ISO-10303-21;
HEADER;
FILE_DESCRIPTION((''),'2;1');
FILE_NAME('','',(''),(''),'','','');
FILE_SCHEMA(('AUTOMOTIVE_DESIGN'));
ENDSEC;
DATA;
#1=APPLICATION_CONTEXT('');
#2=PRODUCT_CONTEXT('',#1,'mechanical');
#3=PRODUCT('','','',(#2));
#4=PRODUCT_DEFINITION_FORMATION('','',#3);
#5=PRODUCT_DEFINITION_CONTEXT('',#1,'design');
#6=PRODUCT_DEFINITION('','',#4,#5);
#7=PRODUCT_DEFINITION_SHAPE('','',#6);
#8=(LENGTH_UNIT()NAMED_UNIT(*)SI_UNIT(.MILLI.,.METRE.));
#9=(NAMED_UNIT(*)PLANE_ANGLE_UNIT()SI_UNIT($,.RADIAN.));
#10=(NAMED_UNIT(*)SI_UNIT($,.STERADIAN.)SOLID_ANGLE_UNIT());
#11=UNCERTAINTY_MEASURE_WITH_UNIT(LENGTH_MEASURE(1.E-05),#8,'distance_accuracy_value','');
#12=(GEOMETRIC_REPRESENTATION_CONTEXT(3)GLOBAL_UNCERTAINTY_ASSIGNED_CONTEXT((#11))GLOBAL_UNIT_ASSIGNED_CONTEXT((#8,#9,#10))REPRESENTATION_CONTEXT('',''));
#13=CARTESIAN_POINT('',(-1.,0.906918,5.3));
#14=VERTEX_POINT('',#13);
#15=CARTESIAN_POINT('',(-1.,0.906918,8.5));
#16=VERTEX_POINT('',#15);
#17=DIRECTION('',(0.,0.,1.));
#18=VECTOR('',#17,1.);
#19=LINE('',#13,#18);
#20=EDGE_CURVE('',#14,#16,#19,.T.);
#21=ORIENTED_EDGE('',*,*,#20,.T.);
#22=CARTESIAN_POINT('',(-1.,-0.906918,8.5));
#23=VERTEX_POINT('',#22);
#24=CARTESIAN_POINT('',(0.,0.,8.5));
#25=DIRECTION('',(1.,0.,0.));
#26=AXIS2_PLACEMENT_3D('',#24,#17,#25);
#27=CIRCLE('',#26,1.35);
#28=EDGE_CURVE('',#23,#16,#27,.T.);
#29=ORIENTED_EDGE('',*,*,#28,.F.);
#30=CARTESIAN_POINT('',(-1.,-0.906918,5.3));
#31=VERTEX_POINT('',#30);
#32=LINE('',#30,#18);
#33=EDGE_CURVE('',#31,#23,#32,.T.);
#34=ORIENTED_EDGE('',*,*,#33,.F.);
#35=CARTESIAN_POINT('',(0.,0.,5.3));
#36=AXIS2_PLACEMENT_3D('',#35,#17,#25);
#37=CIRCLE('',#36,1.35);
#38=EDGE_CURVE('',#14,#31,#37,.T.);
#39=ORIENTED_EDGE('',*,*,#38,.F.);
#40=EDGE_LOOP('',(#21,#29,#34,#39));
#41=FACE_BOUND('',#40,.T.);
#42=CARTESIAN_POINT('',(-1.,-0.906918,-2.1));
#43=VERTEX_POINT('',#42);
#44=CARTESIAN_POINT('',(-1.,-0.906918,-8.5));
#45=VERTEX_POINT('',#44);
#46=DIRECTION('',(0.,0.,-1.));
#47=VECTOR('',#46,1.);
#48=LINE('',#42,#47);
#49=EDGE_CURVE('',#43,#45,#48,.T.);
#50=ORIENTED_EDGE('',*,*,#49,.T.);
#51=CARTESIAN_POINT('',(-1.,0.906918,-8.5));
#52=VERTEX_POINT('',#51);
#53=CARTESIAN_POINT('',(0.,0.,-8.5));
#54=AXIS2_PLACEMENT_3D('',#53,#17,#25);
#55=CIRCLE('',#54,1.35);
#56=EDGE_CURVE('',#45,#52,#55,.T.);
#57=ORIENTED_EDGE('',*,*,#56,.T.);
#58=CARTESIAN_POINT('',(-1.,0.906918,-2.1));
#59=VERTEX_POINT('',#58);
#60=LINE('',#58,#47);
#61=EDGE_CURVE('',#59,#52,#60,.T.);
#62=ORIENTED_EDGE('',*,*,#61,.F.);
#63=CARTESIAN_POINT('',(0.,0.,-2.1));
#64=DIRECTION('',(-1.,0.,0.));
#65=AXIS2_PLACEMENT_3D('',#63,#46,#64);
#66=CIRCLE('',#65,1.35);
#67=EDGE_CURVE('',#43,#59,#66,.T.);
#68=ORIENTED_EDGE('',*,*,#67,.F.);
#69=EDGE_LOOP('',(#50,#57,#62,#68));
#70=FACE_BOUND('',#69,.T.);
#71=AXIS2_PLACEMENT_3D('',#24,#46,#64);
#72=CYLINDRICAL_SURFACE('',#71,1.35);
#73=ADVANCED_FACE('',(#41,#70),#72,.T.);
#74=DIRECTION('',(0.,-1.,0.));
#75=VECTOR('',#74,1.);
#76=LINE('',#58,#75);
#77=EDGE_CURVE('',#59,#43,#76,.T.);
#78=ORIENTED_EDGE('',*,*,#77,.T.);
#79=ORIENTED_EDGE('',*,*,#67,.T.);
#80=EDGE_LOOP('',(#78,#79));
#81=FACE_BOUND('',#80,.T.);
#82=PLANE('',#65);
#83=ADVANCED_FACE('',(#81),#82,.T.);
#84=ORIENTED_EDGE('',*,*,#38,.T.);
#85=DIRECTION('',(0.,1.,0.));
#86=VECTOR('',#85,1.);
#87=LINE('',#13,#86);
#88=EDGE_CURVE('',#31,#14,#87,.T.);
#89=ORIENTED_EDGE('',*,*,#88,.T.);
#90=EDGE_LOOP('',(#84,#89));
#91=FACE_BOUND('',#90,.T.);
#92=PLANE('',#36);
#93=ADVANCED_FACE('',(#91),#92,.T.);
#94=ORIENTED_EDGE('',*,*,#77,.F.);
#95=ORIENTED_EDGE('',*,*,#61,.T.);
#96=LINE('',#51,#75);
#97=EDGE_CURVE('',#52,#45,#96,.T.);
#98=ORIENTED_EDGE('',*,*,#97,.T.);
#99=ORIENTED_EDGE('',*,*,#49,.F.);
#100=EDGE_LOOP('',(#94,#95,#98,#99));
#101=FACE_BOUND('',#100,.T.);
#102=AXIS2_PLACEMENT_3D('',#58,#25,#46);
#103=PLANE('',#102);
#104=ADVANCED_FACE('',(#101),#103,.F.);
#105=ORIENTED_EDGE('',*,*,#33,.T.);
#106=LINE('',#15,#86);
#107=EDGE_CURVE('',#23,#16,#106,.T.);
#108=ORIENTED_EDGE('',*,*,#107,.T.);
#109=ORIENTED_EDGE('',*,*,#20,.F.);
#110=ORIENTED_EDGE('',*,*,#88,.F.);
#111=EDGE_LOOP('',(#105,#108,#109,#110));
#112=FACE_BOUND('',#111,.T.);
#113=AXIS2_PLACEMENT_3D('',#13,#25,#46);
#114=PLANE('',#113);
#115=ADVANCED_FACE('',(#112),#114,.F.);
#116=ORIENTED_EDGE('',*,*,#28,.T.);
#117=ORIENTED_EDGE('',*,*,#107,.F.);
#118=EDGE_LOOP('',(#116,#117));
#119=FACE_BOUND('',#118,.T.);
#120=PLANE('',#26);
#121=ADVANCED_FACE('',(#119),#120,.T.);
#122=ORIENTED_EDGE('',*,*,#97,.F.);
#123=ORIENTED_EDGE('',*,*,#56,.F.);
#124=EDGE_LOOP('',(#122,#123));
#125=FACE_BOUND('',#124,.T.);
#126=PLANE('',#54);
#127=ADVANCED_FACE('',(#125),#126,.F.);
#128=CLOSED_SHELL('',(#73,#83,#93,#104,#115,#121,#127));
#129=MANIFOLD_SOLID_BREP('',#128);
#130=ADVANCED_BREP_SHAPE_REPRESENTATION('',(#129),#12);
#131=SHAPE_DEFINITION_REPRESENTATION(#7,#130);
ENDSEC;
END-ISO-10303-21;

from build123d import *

# Parameters (mm, degrees)
SKETCH2_R           = 1.35
BOSS_EXTRUDE1_DEPTH = 8.5
CUT_EXTRUDE1_DEPTH  = 6.4
CUT_EXTRUDE2_DEPTH  = 3.2


with BuildPart() as part:
    # Sketch2 → Boss-Extrude1 (new body, symmetric)
    with BuildSketch(Plane.XY):
        Circle(SKETCH2_R)
    extrude(amount=BOSS_EXTRUDE1_DEPTH, both=True)

    # Sketch4 → Cut-Extrude1 (cut)
    with BuildSketch(Plane(origin=(0, 0, -8.5), x_dir=(-1, 0, 0), z_dir=(0, 0, -1))):
        with BuildLine():
            Line((1, 0.906917857), (1, -0.906917857))
            ThreePointArc((1, -0.906917857), (1.35, 0), (1, 0.906917857))
        make_face()
    extrude(amount=-CUT_EXTRUDE1_DEPTH, mode=Mode.SUBTRACT)

    # Sketch5 → Cut-Extrude2 (cut)
    with BuildSketch(Plane.XY.offset(8.5)):
        with BuildLine():
            Line((-1, 0.906917857), (-1, -0.906917857))
            ThreePointArc((-1, -0.906917857), (-1.35, 0), (-1, 0.906917857))
        make_face()
    extrude(amount=-CUT_EXTRUDE2_DEPTH, mode=Mode.SUBTRACT)


solid = part.part
